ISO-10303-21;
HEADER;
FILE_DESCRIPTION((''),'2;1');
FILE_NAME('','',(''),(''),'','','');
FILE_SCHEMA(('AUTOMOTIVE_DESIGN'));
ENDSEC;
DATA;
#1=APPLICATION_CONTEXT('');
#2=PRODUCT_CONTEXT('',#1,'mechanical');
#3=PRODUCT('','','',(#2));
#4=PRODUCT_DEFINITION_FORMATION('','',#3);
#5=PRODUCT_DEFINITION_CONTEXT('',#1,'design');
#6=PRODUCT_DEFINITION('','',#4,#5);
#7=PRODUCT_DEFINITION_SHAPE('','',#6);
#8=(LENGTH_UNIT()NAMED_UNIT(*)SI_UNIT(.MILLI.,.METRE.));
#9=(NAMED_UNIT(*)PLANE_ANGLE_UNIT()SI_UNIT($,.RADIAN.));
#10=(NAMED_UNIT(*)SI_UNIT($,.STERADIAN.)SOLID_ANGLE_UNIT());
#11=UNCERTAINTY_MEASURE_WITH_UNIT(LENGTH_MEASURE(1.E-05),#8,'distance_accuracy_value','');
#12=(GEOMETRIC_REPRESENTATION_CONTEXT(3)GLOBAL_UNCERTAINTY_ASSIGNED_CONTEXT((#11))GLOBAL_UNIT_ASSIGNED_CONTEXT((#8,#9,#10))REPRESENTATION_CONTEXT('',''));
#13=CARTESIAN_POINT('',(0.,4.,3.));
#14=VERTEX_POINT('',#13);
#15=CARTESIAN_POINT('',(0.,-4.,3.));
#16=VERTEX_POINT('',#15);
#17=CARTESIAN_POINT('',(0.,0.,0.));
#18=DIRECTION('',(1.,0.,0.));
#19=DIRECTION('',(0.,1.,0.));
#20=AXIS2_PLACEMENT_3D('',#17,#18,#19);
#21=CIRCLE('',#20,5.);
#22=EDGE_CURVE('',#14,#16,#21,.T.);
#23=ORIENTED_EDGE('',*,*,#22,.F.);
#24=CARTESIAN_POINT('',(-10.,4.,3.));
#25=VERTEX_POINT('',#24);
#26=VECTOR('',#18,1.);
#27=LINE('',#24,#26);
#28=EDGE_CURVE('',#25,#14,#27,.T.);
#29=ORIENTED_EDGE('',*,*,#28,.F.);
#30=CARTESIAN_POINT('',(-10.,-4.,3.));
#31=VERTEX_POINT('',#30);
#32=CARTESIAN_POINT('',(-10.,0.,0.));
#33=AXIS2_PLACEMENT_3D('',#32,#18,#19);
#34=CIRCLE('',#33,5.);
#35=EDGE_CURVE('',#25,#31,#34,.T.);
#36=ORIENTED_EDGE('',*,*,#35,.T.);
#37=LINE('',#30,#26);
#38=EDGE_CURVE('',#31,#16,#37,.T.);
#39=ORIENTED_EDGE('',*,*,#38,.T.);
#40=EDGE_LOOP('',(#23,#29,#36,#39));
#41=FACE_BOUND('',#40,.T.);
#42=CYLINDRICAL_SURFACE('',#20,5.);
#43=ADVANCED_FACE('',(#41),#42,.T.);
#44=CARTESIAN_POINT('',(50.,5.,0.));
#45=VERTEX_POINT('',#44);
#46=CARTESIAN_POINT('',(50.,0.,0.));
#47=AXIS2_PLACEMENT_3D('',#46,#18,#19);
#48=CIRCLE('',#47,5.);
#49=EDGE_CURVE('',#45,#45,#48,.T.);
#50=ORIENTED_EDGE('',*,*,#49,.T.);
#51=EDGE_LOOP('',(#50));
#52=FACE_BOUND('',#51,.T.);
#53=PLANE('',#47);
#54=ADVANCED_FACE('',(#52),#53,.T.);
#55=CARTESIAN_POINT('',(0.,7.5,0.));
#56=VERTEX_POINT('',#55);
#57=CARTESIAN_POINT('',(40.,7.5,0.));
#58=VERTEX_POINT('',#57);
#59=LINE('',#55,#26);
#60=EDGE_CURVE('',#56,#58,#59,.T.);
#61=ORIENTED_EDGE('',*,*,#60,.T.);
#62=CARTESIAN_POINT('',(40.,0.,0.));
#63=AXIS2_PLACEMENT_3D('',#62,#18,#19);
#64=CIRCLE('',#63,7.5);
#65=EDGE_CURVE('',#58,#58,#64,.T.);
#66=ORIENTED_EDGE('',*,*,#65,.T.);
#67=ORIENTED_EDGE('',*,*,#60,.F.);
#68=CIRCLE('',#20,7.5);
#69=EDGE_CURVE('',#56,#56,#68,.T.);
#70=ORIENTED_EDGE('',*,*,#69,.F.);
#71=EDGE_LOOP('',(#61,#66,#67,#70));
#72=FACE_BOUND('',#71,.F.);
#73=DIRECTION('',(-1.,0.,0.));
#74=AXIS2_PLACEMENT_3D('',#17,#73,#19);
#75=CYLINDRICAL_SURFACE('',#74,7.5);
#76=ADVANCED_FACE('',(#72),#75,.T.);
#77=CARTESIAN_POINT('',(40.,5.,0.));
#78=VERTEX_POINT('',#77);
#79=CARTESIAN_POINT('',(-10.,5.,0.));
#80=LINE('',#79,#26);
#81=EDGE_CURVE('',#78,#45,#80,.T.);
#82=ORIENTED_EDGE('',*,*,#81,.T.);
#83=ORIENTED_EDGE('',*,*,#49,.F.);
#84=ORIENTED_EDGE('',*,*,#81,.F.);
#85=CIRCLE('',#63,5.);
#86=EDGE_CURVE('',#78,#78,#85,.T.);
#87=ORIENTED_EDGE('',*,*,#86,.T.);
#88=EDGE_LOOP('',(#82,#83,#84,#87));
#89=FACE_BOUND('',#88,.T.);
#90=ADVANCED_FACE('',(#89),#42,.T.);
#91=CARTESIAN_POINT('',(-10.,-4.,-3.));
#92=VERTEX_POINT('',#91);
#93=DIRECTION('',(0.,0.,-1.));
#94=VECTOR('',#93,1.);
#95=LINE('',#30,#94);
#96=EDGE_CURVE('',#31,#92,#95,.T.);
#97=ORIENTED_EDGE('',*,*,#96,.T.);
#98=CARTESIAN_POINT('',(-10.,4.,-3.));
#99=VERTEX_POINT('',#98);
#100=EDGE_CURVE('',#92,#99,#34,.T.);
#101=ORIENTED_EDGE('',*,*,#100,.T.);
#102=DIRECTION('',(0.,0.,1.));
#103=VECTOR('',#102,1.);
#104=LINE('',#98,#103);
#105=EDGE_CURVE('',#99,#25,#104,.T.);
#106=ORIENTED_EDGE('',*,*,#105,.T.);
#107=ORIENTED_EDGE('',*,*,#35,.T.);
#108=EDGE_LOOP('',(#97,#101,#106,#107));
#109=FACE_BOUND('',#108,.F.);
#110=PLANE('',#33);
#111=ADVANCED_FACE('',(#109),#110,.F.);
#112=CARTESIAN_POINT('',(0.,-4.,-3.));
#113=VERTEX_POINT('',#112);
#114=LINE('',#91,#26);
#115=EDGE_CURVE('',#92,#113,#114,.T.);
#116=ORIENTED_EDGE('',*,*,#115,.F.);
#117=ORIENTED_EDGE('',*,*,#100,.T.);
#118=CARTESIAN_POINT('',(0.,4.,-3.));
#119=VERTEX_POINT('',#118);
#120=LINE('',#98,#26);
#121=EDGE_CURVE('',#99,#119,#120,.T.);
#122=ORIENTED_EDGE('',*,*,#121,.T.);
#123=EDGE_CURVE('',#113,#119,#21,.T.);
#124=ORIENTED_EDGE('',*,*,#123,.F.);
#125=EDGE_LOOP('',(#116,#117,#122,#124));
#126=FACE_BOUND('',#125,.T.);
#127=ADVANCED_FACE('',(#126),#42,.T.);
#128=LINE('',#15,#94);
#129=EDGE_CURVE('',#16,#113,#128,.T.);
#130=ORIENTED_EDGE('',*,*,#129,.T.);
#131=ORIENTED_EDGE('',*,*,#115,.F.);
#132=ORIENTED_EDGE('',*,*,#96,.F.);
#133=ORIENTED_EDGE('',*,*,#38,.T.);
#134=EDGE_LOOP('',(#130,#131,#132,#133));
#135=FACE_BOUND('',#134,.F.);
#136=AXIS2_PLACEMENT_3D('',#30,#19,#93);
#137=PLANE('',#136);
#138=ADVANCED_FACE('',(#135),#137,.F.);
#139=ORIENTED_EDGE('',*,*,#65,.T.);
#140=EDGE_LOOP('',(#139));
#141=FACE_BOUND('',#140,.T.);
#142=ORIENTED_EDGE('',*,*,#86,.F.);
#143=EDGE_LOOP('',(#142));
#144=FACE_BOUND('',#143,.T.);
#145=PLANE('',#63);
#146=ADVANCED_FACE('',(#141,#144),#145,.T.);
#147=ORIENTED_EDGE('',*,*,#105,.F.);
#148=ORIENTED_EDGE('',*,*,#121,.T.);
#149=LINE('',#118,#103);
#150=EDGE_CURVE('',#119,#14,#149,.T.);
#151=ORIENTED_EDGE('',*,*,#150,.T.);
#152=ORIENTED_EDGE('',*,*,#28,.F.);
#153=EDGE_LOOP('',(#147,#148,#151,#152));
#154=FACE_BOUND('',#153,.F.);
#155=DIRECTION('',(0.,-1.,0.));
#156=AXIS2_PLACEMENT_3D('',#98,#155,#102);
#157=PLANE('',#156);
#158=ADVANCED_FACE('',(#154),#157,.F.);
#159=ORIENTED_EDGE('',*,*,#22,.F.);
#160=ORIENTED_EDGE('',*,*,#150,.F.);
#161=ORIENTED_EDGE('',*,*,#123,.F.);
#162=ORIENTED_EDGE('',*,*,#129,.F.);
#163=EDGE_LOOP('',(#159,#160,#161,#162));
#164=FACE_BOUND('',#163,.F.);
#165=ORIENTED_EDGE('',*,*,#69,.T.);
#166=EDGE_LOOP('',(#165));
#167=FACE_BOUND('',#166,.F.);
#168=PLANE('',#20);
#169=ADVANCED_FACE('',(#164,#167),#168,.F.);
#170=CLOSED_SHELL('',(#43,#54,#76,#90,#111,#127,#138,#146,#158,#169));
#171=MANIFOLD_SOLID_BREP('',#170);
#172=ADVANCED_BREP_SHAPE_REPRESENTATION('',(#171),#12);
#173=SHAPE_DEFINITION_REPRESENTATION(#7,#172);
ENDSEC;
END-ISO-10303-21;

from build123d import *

# Parameters (mm, degrees)
F0_R          = 5
F1_DEPTH      = 50
F1_DEPTH_BACK = 10
F2_R          = 7.5
F3_DEPTH      = 40
F5_DEPTH      = 10


with BuildPart() as f1:
    # F0 (on Right) → F1 (new body, two sides)
    with BuildSketch(Plane.YZ) as f1_sk:
        Circle(F0_R)
    extrude(amount=F1_DEPTH)
    extrude(f1_sk.sketch, amount=-F1_DEPTH_BACK)

    # F2 (on Right) → F3 (join)
    with BuildSketch(Plane.YZ):
        Circle(F2_R)
    extrude(amount=F3_DEPTH)

    # F4 (on face) → F5 (cut, through all)
    with BuildSketch(Plane(origin=(-10, 0, 0), x_dir=(0, -1, 0), z_dir=(-1, 0, 0))):
        with BuildLine():
            Line((-4, -3), (-4, 3))
            ThreePointArc((-4, 3), (-5, 0), (-4, -3))
        make_face()
        with BuildLine():
            ThreePointArc((4, -3), (5, 0), (4, 3))
            Line((4, 3), (4, -3))
        make_face()
    extrude(amount=-F5_DEPTH, mode=Mode.SUBTRACT)


solid = f1.part
